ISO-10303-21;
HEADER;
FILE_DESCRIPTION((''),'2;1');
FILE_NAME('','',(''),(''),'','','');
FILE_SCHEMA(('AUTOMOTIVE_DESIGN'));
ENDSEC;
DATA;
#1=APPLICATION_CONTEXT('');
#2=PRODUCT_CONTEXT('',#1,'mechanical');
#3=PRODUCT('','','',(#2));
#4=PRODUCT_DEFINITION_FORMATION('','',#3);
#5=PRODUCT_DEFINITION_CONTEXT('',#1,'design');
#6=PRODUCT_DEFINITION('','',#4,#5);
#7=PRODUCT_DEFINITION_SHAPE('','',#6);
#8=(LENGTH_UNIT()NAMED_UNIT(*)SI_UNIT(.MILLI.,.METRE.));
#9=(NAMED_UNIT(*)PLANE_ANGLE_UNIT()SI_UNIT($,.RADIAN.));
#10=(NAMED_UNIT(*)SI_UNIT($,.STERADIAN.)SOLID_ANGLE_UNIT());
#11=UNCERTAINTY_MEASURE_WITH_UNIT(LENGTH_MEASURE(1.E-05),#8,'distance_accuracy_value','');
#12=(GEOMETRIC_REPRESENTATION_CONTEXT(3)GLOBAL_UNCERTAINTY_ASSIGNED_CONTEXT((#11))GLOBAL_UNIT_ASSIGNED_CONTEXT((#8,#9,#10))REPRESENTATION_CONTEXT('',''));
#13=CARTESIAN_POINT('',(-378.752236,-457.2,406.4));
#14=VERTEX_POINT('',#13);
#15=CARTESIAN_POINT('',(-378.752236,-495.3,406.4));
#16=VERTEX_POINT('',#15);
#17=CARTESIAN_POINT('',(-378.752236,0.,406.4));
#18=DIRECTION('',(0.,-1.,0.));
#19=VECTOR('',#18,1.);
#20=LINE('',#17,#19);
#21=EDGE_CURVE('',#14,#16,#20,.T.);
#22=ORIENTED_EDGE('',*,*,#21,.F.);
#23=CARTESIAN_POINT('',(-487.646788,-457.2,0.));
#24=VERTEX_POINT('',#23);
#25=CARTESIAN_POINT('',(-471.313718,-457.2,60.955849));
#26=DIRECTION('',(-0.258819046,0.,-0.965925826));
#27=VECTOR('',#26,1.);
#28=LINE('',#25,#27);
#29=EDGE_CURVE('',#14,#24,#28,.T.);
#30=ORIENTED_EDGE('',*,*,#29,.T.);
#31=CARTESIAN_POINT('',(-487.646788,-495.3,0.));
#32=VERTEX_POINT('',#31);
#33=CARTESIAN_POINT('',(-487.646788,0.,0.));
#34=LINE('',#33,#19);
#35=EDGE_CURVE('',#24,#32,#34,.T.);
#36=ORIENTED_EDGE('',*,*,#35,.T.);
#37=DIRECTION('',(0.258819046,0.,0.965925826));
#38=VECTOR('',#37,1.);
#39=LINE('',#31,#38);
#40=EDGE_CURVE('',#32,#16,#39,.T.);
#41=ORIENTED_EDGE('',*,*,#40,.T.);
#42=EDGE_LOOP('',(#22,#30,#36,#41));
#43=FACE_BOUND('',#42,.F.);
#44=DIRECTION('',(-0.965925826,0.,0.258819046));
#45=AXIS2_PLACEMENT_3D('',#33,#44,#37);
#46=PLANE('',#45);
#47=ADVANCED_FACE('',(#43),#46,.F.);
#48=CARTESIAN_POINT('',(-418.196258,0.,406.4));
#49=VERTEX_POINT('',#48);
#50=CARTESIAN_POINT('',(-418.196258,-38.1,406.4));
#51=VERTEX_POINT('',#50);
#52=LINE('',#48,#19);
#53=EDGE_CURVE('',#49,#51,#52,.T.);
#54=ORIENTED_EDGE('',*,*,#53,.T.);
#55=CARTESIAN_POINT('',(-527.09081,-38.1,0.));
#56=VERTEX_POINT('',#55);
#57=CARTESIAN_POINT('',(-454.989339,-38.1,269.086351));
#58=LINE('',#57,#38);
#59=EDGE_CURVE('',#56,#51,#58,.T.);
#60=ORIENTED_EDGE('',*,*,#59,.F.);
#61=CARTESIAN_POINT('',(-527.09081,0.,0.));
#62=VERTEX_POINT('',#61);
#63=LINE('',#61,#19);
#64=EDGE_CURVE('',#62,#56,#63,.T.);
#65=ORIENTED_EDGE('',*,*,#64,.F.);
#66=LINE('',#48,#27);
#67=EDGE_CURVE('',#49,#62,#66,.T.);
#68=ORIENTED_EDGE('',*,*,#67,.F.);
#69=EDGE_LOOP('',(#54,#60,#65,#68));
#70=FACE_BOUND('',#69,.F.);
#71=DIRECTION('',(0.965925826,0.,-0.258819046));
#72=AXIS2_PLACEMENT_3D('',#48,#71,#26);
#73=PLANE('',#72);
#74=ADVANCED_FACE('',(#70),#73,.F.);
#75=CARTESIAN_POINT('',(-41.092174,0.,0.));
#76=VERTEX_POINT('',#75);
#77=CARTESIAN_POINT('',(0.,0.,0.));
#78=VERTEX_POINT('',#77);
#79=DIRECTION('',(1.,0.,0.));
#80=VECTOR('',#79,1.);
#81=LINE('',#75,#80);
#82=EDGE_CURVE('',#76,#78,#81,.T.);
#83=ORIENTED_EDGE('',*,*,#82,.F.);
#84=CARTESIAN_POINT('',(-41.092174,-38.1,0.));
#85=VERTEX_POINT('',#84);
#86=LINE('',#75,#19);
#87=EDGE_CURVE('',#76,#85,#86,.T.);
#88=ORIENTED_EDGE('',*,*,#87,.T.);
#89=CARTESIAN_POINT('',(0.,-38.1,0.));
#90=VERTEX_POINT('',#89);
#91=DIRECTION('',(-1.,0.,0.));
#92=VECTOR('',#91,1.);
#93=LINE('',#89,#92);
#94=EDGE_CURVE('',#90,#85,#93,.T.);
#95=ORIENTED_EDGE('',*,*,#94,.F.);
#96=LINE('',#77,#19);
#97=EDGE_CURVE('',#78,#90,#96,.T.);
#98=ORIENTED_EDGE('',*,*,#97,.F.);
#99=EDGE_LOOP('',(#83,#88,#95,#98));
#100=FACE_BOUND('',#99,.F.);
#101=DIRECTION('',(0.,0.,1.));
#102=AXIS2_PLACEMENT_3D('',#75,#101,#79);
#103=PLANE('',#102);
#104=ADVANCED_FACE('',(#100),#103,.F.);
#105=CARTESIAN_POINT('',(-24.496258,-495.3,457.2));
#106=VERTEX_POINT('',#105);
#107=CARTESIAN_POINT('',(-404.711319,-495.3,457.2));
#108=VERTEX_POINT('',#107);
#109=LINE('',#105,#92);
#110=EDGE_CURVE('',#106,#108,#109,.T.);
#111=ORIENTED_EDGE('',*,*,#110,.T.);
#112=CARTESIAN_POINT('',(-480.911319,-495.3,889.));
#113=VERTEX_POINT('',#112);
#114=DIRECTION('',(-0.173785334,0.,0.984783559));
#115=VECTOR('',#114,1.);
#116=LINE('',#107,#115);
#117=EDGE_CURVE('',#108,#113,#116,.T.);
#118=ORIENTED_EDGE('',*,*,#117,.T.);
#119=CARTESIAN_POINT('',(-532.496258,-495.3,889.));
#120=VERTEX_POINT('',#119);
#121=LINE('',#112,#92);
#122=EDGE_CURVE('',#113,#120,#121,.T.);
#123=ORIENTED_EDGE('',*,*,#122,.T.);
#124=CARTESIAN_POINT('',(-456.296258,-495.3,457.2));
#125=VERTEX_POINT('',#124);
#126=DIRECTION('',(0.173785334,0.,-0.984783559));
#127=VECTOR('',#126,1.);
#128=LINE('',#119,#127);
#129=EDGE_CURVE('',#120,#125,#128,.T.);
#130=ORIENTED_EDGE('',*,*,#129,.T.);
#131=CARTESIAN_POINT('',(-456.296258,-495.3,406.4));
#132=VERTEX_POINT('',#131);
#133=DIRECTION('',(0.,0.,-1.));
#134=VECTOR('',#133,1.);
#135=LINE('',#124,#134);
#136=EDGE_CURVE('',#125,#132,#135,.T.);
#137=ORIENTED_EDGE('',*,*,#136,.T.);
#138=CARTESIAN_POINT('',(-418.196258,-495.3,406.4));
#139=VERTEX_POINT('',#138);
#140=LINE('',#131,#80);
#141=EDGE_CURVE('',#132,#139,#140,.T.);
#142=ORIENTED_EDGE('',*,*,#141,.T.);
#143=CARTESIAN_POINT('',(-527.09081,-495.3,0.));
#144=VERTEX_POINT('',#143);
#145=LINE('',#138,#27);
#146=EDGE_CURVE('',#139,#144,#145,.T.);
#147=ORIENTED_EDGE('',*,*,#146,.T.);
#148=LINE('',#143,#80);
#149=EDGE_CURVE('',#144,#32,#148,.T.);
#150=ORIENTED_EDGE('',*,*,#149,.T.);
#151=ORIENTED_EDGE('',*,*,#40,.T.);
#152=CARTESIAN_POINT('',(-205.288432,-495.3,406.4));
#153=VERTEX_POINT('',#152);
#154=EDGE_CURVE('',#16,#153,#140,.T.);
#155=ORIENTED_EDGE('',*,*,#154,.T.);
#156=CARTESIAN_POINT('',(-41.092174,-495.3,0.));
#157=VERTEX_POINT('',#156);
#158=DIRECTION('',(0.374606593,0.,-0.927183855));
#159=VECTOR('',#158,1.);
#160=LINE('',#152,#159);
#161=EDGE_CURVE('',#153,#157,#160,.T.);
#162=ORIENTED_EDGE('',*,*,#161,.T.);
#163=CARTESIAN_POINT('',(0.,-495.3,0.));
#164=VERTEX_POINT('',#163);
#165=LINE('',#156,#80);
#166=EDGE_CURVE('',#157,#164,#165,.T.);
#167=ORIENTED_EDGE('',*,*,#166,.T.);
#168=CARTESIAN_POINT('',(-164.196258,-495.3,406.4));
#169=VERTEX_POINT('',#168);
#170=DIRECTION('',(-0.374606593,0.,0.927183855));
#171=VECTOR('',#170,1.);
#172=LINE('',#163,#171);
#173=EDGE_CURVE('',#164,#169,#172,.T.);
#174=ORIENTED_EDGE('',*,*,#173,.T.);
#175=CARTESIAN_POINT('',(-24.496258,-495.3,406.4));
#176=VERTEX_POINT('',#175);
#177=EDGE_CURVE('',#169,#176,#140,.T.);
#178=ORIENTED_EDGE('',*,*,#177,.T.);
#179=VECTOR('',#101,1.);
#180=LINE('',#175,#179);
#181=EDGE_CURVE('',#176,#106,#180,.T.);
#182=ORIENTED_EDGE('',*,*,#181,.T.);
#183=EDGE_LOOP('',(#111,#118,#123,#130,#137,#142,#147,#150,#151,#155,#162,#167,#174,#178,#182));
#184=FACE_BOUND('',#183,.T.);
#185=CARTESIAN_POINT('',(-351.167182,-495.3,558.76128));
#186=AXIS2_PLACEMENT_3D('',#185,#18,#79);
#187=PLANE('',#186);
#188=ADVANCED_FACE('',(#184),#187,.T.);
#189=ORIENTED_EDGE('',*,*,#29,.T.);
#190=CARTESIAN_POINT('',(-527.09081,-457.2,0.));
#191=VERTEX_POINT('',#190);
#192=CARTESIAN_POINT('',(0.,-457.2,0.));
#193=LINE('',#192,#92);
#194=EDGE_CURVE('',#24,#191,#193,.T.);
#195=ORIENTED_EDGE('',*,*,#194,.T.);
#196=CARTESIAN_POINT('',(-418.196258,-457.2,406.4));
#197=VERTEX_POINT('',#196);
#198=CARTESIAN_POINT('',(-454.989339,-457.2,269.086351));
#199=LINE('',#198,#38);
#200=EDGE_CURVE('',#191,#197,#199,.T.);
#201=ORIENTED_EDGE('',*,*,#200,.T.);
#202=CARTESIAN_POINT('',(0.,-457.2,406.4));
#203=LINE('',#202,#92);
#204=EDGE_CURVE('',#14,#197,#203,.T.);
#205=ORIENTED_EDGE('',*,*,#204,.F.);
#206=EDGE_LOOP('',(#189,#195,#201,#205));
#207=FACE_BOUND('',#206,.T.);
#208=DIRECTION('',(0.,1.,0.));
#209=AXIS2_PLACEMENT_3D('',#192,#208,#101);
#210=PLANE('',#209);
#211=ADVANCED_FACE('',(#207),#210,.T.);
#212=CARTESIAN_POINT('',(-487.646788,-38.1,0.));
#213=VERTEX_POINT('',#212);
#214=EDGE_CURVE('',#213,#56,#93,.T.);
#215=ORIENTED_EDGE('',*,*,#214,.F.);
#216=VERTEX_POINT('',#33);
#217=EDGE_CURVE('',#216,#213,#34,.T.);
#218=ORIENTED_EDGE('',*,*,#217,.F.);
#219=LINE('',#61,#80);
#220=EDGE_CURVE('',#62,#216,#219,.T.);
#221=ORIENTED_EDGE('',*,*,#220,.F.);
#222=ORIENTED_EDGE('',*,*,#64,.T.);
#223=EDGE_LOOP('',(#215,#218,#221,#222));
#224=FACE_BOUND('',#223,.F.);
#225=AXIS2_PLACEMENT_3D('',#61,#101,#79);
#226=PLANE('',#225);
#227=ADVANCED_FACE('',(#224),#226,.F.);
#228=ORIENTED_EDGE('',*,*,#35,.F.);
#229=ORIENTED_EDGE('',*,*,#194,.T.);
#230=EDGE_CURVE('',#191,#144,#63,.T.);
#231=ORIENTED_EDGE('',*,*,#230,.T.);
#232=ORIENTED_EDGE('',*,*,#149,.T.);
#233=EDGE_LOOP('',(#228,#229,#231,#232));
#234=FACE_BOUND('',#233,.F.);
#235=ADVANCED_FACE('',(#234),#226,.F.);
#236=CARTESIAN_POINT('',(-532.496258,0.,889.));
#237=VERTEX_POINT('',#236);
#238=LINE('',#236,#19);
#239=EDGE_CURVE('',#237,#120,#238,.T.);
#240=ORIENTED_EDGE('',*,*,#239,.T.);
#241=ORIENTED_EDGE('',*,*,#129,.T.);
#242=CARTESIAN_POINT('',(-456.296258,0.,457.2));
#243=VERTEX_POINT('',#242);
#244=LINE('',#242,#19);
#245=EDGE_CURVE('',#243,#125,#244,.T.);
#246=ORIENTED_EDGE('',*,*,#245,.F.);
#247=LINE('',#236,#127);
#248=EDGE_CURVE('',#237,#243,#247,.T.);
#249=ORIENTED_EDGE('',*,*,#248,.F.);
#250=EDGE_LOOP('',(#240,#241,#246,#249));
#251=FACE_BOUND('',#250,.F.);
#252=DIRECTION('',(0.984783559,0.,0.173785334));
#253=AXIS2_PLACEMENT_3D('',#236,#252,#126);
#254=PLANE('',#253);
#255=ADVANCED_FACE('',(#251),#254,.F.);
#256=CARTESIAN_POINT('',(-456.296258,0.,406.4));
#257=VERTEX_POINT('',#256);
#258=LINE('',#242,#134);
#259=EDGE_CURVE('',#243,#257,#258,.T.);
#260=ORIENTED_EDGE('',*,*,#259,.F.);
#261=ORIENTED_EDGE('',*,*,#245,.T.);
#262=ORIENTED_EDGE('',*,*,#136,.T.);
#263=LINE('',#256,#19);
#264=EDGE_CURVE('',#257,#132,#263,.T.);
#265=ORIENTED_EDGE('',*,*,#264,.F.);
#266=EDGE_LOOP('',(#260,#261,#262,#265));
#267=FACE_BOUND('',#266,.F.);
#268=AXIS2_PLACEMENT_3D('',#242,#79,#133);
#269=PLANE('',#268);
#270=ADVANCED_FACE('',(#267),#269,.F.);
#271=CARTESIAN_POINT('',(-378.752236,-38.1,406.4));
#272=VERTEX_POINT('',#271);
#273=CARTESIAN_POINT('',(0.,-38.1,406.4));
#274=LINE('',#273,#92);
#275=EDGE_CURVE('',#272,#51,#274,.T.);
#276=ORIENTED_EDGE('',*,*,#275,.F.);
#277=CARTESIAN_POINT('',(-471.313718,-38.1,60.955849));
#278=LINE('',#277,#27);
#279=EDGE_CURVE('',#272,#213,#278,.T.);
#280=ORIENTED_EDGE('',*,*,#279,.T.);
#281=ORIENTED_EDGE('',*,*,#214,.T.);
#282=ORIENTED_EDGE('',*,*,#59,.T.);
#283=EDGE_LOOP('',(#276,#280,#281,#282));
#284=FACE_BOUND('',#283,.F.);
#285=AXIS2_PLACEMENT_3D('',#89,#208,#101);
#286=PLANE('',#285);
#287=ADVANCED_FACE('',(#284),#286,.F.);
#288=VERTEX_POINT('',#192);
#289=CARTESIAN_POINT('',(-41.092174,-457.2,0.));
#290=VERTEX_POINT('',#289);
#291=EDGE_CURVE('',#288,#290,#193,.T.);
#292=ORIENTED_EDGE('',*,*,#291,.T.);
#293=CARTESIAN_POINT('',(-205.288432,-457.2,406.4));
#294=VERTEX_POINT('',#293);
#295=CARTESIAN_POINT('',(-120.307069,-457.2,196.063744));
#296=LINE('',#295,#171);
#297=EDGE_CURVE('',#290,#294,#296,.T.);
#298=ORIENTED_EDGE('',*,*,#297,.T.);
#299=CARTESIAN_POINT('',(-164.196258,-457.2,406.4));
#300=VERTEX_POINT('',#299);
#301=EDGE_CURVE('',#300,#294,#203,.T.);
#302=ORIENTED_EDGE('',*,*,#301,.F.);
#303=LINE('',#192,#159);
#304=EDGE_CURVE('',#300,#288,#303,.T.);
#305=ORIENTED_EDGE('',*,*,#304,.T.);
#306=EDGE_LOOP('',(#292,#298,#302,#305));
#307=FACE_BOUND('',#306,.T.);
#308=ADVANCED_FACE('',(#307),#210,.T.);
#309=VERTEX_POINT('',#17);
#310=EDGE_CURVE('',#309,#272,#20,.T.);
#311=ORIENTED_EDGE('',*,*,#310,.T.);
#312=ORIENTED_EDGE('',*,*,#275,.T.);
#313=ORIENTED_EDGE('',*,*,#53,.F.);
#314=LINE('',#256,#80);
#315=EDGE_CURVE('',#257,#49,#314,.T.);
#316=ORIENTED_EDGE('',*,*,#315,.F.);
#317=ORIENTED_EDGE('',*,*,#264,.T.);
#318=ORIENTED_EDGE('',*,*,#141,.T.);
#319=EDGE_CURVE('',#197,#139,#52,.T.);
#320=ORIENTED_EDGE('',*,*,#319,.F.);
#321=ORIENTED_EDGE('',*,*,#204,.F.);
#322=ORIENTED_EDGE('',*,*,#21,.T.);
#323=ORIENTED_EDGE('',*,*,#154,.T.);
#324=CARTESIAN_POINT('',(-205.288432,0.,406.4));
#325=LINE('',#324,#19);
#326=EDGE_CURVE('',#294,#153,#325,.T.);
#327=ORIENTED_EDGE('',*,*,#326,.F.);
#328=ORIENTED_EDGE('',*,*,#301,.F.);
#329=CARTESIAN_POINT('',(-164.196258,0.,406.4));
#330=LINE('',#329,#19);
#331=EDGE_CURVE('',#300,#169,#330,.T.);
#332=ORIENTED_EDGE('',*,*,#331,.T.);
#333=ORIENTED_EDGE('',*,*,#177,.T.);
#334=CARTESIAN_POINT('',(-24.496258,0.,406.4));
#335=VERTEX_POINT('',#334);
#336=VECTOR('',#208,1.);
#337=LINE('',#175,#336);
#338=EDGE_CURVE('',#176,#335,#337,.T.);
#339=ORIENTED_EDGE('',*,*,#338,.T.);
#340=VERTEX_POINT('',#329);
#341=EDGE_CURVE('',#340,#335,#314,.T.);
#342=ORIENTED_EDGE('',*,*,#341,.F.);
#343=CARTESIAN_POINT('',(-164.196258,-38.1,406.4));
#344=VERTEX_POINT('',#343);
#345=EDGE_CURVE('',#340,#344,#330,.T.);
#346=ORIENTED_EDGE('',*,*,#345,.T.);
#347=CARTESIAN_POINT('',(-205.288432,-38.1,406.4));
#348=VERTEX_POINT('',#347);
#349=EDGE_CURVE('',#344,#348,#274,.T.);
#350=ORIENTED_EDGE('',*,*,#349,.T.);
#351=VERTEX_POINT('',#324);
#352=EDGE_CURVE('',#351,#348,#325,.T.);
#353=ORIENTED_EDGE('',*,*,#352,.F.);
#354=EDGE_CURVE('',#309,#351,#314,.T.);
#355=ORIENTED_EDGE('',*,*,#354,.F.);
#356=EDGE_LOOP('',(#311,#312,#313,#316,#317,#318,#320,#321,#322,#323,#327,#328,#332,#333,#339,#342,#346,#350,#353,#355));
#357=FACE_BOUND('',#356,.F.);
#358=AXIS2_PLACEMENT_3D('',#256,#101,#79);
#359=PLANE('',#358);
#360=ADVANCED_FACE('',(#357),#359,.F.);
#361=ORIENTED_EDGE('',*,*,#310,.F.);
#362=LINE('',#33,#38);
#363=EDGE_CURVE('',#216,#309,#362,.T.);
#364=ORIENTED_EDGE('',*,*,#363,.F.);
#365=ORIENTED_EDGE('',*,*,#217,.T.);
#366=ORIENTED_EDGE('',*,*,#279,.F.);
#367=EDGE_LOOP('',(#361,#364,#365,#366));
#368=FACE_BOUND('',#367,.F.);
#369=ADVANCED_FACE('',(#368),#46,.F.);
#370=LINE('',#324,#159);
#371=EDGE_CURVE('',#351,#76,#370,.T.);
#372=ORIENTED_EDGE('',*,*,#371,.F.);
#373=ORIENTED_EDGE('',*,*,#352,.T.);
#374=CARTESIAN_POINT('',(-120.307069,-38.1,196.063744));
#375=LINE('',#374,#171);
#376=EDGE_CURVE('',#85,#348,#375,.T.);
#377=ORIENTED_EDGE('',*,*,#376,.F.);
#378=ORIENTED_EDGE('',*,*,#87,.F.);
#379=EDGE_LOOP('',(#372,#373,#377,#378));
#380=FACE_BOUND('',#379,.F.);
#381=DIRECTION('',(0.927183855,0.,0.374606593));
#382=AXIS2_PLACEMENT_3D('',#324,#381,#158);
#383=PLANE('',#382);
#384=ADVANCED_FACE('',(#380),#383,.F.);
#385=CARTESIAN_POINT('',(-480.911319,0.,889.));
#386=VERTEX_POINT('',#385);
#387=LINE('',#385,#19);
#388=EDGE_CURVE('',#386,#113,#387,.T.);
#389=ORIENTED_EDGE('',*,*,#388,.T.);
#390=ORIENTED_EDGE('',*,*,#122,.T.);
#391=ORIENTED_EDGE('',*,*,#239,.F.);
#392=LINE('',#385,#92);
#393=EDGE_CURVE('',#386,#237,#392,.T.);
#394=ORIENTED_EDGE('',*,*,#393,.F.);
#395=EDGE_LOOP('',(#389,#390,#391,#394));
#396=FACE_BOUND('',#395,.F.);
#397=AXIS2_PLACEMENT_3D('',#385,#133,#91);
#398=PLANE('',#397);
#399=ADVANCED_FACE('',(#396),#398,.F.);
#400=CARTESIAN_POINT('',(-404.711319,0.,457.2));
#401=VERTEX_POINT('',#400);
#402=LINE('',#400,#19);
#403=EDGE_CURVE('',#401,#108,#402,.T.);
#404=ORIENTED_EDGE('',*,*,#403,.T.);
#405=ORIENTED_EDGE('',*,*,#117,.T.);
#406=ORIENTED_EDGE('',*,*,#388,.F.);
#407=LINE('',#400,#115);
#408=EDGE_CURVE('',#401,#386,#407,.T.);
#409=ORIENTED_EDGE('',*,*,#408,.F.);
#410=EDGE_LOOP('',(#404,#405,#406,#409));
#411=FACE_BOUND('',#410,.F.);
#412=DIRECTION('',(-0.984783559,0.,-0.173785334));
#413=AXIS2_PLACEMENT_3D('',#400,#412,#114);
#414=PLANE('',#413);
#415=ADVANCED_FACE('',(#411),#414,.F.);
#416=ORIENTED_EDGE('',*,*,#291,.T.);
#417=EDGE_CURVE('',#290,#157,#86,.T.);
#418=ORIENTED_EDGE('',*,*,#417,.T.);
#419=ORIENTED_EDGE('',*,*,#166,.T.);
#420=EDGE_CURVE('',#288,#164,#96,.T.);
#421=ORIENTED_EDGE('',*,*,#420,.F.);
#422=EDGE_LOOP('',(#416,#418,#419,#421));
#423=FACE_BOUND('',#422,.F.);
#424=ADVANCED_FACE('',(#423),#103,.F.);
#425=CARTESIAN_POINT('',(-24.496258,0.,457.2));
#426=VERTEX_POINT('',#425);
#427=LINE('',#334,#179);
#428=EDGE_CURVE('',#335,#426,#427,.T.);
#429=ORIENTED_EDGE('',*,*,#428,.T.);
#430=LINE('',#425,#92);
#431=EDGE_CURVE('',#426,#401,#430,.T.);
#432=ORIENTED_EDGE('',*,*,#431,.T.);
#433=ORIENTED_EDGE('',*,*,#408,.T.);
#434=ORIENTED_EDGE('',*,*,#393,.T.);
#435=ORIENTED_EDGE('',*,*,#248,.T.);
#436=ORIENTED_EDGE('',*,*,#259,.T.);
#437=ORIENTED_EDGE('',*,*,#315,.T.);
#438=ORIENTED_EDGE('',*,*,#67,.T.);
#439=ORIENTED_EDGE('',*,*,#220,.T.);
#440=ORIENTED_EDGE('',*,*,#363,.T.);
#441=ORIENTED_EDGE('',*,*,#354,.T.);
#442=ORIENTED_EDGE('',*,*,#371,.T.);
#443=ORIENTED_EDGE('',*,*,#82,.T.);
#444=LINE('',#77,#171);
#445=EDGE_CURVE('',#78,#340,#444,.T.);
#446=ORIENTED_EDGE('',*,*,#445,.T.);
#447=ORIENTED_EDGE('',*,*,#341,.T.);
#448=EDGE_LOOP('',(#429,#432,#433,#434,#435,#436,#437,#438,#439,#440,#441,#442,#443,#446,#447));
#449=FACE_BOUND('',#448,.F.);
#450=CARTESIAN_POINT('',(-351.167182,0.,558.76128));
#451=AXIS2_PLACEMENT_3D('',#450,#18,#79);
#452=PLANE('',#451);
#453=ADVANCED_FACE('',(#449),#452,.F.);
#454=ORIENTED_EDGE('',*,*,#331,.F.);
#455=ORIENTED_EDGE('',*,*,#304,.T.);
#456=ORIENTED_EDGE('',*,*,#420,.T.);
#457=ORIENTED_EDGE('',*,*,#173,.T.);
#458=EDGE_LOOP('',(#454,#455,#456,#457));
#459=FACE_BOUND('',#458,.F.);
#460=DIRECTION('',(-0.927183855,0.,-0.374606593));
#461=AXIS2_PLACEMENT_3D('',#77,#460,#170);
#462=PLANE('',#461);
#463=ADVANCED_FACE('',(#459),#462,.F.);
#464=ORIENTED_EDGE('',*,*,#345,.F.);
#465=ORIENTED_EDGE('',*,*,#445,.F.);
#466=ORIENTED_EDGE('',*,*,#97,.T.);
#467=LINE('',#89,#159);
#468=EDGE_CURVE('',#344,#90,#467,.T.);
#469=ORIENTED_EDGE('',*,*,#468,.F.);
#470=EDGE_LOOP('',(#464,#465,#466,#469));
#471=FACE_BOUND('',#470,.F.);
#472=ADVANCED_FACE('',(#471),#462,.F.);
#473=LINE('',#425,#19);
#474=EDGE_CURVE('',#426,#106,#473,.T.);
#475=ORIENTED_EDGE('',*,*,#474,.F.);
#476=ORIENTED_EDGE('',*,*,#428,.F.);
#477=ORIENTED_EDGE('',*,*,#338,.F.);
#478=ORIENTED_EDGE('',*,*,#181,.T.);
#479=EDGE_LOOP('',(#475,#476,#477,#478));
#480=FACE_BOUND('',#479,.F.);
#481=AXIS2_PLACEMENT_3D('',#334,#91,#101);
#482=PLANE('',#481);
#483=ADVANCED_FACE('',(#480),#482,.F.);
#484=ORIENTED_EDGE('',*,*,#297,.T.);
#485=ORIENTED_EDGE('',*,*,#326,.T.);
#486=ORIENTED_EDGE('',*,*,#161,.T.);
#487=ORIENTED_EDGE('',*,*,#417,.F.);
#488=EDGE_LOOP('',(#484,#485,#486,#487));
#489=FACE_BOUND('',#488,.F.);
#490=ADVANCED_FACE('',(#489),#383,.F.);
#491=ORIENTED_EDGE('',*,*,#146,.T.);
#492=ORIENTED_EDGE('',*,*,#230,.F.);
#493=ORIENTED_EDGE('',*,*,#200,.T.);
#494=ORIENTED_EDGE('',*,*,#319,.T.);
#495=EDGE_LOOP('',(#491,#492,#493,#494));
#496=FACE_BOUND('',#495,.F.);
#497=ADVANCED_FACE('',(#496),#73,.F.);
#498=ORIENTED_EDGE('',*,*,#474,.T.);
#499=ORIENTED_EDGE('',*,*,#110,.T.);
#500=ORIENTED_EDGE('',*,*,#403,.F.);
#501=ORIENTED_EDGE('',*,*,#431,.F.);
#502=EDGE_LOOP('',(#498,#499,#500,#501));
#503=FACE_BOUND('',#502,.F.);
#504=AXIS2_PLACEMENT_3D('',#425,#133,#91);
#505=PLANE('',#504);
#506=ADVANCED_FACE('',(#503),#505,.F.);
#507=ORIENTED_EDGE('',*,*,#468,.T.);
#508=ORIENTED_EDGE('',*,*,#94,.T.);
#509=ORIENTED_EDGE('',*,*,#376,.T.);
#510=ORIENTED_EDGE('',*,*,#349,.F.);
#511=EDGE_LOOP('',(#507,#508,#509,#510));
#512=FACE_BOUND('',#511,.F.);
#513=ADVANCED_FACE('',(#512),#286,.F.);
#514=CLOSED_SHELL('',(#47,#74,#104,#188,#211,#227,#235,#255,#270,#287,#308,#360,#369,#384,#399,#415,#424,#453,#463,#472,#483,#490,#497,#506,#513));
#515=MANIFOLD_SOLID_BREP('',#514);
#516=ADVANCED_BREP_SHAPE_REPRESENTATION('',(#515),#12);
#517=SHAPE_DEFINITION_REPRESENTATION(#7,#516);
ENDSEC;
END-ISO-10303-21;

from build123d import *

# Parameters (mm, degrees)
F1_DEPTH = 495.3
F2_W     = 419.1
F2_H     = 406.4
F3_DEPTH = 532.497258


with BuildPart() as f1:
    # F0 (on Front) → F1 (new body)
    with BuildSketch(Plane.XZ):
        Polygon((-404.711319, 457.2), (-480.911319, 889), (-532.496258, 889), (-456.296258, 457.2), (-456.296258, 406.4), (-418.196258, 406.4), (-378.752236, 406.4), (-205.288432, 406.4), (-164.196258, 406.4), (-24.496258, 406.4), (-24.496258, 457.2), align=None)
        Polygon((0, 0), (-164.196258, 406.4), (-205.288432, 406.4), (-41.092174, 0), align=None)
        Polygon((-378.752236, 406.4), (-418.196258, 406.4), (-527.09081, 0), (-487.646788, 0), align=None)
    extrude(amount=F1_DEPTH)

    # F2 (on Right) → F3 (cut, through all)
    with BuildSketch(Plane.YZ):
        with Locations((-247.65, 203.2)):
            Rectangle(F2_W, F2_H)
    extrude(amount=-F3_DEPTH, mode=Mode.SUBTRACT)


solid = f1.part
